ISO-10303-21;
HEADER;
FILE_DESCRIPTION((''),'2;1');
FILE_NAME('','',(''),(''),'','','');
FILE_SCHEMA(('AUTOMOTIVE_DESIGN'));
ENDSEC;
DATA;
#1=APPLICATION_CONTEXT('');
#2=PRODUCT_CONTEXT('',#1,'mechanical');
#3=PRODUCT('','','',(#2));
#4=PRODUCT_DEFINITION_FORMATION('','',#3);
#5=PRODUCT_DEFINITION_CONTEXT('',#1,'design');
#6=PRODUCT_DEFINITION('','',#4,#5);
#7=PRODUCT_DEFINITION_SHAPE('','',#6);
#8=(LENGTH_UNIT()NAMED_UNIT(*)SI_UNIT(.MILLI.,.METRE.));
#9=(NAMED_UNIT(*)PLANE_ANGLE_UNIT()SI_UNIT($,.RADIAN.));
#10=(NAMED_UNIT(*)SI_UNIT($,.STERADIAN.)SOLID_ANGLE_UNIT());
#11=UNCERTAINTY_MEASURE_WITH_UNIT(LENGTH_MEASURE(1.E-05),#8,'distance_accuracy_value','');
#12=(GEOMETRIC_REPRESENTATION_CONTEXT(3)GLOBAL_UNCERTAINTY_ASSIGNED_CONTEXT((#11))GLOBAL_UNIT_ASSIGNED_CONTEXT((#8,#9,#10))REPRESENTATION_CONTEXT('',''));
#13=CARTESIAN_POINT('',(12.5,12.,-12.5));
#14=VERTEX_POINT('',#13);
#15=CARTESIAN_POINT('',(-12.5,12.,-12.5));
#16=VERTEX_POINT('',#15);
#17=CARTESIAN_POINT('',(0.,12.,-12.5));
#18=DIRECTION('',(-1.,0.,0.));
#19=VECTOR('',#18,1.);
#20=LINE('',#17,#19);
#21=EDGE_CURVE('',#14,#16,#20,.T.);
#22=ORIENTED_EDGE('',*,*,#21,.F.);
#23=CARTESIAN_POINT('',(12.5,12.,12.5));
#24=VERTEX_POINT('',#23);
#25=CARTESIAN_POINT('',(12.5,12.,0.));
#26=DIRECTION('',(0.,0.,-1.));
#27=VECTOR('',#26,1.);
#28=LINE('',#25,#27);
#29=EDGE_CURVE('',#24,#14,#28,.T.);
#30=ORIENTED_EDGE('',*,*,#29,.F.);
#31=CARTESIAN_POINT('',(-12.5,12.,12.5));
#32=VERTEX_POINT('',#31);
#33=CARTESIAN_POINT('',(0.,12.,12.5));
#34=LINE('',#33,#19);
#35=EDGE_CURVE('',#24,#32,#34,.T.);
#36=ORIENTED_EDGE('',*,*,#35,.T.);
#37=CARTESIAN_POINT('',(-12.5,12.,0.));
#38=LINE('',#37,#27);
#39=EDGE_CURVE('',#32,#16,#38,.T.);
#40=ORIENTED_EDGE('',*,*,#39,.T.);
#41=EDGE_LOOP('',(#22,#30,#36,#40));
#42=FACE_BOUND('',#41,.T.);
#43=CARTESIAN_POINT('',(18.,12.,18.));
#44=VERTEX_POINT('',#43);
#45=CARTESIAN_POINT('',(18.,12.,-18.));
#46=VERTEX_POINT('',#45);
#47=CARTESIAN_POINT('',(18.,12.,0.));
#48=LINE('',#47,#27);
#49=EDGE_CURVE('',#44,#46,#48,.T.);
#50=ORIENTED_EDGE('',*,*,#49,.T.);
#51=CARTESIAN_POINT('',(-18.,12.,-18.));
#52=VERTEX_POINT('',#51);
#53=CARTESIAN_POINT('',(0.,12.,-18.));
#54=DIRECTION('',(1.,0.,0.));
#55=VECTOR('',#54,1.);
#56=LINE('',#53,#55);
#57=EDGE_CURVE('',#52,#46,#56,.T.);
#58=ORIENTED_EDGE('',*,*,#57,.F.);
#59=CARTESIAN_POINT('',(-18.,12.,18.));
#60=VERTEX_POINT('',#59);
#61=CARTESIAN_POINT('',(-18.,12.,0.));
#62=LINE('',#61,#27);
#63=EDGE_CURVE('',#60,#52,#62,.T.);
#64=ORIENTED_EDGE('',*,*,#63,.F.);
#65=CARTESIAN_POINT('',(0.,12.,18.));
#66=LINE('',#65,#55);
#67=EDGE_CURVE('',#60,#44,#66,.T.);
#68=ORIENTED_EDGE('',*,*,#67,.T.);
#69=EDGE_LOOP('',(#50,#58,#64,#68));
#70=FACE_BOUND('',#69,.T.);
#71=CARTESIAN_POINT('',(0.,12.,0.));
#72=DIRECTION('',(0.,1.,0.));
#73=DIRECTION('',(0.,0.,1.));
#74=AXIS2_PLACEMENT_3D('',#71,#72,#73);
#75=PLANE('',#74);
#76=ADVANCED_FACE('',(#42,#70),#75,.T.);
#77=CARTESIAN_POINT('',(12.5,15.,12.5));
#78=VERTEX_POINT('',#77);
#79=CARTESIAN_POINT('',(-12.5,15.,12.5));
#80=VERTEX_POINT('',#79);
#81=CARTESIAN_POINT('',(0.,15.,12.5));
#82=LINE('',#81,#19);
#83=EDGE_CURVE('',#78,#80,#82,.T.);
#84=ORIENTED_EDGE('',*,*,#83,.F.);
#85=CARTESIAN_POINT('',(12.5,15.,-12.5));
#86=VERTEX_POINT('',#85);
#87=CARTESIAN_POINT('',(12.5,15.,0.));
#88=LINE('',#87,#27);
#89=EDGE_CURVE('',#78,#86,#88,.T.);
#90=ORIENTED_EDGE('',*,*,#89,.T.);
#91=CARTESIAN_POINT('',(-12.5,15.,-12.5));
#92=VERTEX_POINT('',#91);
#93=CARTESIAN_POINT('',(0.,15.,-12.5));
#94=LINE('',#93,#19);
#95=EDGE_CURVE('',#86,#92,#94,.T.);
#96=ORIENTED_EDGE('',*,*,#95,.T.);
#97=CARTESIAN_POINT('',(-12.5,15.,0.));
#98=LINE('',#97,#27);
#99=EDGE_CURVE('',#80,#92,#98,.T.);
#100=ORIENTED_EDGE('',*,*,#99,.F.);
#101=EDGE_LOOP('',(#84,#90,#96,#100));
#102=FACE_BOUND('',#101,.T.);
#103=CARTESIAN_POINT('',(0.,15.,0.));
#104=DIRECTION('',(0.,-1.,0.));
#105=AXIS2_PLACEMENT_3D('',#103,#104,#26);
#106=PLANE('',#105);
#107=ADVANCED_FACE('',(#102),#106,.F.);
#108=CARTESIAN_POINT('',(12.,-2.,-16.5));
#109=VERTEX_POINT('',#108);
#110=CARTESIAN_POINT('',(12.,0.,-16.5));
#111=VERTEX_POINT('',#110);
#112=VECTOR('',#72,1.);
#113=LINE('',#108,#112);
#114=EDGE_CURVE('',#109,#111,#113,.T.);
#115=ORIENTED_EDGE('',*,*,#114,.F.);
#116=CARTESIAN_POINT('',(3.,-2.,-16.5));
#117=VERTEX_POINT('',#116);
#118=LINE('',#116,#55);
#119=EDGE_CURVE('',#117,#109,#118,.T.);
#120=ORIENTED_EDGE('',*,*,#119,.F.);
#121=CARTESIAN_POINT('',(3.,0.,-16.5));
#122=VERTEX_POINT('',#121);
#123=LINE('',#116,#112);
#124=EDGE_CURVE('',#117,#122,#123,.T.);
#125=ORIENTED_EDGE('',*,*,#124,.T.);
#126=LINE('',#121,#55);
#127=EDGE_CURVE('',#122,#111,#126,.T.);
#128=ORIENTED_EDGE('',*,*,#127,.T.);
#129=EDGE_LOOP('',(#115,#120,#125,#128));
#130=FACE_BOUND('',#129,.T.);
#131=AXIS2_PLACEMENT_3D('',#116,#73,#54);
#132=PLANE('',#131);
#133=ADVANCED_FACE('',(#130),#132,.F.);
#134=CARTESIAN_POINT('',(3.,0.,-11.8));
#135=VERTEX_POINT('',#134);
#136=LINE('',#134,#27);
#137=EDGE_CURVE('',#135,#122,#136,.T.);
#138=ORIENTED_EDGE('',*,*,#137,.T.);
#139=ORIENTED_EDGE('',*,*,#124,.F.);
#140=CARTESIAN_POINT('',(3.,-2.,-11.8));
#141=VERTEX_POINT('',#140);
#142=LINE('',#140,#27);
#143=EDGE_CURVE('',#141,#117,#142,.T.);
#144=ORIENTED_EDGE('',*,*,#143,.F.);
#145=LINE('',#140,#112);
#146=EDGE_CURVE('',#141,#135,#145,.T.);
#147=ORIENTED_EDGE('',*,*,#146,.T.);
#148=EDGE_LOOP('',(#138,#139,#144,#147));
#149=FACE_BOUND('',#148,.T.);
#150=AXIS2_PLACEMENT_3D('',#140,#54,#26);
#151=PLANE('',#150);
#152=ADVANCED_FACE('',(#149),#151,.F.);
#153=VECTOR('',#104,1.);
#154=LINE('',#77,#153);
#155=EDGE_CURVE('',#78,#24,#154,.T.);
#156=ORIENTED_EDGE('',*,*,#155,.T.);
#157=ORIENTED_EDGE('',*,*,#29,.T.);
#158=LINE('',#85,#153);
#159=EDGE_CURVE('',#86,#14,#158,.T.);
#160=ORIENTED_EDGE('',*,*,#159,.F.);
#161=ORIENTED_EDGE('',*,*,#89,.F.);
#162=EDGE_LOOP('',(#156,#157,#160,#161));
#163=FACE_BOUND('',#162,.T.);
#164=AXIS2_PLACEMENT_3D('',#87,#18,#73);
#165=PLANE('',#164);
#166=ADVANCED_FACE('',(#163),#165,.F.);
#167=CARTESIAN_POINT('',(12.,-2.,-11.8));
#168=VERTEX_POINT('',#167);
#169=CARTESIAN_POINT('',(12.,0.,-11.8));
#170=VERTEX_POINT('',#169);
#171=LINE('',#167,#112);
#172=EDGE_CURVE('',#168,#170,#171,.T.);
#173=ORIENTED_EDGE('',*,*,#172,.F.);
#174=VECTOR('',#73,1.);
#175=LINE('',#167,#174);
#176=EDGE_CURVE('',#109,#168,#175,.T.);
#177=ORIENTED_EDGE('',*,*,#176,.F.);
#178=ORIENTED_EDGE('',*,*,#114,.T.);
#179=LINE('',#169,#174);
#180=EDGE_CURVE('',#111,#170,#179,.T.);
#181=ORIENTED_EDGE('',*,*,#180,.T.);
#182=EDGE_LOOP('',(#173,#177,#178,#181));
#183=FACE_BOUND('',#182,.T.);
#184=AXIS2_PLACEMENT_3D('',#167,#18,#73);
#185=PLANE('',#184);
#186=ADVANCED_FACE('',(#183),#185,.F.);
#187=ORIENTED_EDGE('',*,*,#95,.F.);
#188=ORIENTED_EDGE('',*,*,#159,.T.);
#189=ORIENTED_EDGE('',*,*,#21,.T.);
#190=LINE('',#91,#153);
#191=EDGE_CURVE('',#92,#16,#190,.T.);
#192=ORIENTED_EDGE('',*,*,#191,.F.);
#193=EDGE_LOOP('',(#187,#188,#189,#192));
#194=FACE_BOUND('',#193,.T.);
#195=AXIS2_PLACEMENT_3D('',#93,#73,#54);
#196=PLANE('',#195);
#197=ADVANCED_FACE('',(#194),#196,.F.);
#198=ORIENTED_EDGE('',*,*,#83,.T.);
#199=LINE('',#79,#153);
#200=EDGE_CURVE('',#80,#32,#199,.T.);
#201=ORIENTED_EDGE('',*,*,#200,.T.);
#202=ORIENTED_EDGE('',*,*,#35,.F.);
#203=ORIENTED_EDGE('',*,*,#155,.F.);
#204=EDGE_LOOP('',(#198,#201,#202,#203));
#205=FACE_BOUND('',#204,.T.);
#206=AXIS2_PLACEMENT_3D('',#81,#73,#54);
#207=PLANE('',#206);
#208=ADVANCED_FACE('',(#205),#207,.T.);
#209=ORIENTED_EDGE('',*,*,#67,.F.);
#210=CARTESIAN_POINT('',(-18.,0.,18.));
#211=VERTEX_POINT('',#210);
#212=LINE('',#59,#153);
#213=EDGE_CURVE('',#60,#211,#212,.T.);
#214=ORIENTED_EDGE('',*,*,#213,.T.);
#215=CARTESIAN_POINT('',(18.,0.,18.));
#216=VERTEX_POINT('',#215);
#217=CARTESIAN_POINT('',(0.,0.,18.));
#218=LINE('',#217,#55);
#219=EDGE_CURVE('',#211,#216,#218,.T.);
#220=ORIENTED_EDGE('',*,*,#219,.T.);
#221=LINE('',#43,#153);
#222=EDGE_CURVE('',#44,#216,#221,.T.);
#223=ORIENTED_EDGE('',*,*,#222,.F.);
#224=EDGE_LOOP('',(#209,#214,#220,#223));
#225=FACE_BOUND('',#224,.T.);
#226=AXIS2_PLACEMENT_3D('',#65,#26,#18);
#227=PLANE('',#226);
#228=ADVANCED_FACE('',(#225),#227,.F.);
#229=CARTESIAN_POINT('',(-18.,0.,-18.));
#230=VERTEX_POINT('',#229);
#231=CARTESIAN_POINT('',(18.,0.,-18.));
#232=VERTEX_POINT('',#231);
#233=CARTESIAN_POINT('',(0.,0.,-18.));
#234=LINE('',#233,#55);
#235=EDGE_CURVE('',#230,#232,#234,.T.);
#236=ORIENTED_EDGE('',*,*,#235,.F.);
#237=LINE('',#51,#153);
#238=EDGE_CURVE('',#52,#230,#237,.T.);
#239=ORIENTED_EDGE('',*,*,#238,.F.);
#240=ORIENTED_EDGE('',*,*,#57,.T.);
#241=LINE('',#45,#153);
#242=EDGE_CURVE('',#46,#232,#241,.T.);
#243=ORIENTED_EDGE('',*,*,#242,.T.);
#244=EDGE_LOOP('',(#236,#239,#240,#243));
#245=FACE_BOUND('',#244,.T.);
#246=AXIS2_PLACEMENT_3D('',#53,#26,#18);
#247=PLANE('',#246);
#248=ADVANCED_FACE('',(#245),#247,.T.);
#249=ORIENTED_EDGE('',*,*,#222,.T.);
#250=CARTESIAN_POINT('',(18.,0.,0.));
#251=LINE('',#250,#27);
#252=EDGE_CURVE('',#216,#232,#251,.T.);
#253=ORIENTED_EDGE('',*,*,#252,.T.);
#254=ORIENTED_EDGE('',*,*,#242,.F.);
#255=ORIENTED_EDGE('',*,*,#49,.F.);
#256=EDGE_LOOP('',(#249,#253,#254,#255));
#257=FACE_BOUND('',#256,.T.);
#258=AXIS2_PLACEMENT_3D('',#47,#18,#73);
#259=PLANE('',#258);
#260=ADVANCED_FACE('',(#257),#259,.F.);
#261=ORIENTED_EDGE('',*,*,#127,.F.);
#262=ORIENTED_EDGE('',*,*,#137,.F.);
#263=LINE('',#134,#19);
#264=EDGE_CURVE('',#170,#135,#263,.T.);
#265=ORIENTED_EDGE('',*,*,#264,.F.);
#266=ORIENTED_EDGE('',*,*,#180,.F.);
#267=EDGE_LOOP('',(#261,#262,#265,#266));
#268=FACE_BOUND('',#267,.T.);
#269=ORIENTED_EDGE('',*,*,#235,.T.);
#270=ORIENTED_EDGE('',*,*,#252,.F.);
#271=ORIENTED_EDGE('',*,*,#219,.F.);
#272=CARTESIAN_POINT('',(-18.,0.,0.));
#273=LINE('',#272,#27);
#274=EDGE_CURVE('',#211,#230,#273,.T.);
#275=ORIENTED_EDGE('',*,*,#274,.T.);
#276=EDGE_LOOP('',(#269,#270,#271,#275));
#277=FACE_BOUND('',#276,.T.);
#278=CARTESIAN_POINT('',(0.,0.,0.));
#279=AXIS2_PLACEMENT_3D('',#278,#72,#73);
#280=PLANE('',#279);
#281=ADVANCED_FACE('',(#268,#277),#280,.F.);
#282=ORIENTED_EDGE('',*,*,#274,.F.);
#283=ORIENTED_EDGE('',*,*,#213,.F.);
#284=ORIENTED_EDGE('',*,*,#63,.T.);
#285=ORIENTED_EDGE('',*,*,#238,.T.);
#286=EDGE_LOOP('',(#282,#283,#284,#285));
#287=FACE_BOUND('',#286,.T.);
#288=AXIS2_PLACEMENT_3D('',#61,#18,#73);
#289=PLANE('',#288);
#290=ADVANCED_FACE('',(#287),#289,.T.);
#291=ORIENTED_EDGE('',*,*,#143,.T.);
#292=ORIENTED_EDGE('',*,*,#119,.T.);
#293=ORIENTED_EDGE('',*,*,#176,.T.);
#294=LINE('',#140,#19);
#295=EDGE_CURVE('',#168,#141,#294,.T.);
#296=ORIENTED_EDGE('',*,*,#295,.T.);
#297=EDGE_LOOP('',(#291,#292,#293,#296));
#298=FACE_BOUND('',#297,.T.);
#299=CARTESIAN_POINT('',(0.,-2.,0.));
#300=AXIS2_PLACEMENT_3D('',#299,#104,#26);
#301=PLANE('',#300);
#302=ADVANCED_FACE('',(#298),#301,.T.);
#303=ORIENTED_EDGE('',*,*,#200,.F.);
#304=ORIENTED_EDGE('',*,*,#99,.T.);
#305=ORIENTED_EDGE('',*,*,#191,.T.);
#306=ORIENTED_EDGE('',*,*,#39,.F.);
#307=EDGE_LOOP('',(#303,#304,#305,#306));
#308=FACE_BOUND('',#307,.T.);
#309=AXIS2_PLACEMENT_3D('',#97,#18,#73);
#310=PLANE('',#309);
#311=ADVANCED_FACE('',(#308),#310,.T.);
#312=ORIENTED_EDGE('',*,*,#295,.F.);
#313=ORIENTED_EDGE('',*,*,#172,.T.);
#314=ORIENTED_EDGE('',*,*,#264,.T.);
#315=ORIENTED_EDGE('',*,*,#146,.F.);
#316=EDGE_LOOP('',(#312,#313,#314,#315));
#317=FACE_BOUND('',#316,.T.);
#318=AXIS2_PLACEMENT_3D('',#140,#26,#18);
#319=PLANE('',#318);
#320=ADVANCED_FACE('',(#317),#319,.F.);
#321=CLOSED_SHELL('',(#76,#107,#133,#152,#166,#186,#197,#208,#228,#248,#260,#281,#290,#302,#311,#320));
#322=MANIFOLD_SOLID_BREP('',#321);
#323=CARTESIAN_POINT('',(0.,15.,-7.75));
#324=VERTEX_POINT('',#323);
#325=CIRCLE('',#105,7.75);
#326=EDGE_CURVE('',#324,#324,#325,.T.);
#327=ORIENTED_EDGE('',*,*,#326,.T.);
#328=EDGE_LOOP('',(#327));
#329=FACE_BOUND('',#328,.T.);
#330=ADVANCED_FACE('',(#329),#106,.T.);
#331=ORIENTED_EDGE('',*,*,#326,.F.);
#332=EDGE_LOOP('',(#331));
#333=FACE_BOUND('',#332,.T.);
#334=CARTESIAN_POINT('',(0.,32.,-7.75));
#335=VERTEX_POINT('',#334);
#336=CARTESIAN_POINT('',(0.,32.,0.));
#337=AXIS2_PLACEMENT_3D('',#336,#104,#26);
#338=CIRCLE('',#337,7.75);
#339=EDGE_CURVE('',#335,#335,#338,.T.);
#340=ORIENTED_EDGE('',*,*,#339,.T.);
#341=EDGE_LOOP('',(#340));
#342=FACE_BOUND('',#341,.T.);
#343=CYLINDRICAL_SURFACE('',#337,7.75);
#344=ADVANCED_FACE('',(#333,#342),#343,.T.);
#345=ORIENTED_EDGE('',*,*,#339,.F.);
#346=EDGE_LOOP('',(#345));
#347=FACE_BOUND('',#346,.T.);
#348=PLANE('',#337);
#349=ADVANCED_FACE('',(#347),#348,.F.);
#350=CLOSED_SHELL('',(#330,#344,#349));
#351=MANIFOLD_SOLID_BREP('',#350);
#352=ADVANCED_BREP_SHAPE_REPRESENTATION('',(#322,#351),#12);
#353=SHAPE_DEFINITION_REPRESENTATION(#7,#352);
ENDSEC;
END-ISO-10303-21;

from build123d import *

# Parameters (mm, degrees)
SKETCH_1_W      = 36
SKETCH_1_H      = 36
SKETCH_1_W_2    = 25
SKETCH_1_H_2    = 25
SKETCH_1_R      = 7.75
EXTRUDE_2_DEPTH = 12
EXTRUDE_START   = 12
SKETCH_1_3_W    = 25
SKETCH_1_3_H    = 25
SKETCH_1_3_R    = 7.75
EXTRUDE_3_DEPTH = 3
EXTRUDE_START_2 = 15
SKETCH_1_5_R    = 7.75
EXTRUDE_4_DEPTH = 17
SKETCH_2_W      = 9
SKETCH_2_H      = 4.7
EXTRUDE_5_DEPTH = 2


with BuildPart() as part:
    # 草图1 → 凸台-拉伸2 (new body)
    # profile 1 of 3: a face of its own
    with BuildSketch(Plane(origin=(0, 0, 0), x_dir=(1, 0, 0), z_dir=(0, 1, 0))):
        Rectangle(SKETCH_1_W, SKETCH_1_H)
        Rectangle(SKETCH_1_W_2, SKETCH_1_H_2, mode=Mode.SUBTRACT)
    # profile 2 of 3: a face of its own
    with BuildSketch(Plane(origin=(0, 0, 0), x_dir=(1, 0, 0), z_dir=(0, 1, 0))):
        Rectangle(SKETCH_1_W_2, SKETCH_1_H_2)
        Circle(SKETCH_1_R, mode=Mode.SUBTRACT)
    # profile 3 of 3: a face of its own
    with BuildSketch(Plane(origin=(0, 0, 0), x_dir=(1, 0, 0), z_dir=(0, 1, 0))):
        Circle(SKETCH_1_R)
    extrude(amount=EXTRUDE_2_DEPTH)

    # 草图1<3> → 凸台-拉伸3 (add)
    # profile 1 of 2: a face of its own
    with BuildSketch(Plane(origin=(0, 0, 0), x_dir=(1, 0, 0), z_dir=(0, 1, 0)).offset(EXTRUDE_START)):
        Rectangle(SKETCH_1_3_W, SKETCH_1_3_H)
        Circle(SKETCH_1_3_R, mode=Mode.SUBTRACT)
    # profile 2 of 2: a face of its own
    with BuildSketch(Plane(origin=(0, 0, 0), x_dir=(1, 0, 0), z_dir=(0, 1, 0)).offset(EXTRUDE_START)):
        Circle(SKETCH_1_3_R)
    extrude(amount=EXTRUDE_3_DEPTH)

    # 草图2 → 凸台-拉伸5 (add)
    with BuildSketch(Plane.XZ):
        with Locations((7.5, -14.15)):
            Rectangle(SKETCH_2_W, SKETCH_2_H)
    extrude(amount=EXTRUDE_5_DEPTH)


with BuildPart() as body_2:
    # 草图1<5> → 凸台-拉伸4 (new body)
    with BuildSketch(Plane(origin=(0, 0, 0), x_dir=(1, 0, 0), z_dir=(0, 1, 0)).offset(EXTRUDE_START_2)):
        with Locations(Location((0, 0, 0), (0, 0, 90))):
            Circle(SKETCH_1_5_R)
    extrude(amount=EXTRUDE_4_DEPTH)


solid = Compound([part.part, body_2.part])
